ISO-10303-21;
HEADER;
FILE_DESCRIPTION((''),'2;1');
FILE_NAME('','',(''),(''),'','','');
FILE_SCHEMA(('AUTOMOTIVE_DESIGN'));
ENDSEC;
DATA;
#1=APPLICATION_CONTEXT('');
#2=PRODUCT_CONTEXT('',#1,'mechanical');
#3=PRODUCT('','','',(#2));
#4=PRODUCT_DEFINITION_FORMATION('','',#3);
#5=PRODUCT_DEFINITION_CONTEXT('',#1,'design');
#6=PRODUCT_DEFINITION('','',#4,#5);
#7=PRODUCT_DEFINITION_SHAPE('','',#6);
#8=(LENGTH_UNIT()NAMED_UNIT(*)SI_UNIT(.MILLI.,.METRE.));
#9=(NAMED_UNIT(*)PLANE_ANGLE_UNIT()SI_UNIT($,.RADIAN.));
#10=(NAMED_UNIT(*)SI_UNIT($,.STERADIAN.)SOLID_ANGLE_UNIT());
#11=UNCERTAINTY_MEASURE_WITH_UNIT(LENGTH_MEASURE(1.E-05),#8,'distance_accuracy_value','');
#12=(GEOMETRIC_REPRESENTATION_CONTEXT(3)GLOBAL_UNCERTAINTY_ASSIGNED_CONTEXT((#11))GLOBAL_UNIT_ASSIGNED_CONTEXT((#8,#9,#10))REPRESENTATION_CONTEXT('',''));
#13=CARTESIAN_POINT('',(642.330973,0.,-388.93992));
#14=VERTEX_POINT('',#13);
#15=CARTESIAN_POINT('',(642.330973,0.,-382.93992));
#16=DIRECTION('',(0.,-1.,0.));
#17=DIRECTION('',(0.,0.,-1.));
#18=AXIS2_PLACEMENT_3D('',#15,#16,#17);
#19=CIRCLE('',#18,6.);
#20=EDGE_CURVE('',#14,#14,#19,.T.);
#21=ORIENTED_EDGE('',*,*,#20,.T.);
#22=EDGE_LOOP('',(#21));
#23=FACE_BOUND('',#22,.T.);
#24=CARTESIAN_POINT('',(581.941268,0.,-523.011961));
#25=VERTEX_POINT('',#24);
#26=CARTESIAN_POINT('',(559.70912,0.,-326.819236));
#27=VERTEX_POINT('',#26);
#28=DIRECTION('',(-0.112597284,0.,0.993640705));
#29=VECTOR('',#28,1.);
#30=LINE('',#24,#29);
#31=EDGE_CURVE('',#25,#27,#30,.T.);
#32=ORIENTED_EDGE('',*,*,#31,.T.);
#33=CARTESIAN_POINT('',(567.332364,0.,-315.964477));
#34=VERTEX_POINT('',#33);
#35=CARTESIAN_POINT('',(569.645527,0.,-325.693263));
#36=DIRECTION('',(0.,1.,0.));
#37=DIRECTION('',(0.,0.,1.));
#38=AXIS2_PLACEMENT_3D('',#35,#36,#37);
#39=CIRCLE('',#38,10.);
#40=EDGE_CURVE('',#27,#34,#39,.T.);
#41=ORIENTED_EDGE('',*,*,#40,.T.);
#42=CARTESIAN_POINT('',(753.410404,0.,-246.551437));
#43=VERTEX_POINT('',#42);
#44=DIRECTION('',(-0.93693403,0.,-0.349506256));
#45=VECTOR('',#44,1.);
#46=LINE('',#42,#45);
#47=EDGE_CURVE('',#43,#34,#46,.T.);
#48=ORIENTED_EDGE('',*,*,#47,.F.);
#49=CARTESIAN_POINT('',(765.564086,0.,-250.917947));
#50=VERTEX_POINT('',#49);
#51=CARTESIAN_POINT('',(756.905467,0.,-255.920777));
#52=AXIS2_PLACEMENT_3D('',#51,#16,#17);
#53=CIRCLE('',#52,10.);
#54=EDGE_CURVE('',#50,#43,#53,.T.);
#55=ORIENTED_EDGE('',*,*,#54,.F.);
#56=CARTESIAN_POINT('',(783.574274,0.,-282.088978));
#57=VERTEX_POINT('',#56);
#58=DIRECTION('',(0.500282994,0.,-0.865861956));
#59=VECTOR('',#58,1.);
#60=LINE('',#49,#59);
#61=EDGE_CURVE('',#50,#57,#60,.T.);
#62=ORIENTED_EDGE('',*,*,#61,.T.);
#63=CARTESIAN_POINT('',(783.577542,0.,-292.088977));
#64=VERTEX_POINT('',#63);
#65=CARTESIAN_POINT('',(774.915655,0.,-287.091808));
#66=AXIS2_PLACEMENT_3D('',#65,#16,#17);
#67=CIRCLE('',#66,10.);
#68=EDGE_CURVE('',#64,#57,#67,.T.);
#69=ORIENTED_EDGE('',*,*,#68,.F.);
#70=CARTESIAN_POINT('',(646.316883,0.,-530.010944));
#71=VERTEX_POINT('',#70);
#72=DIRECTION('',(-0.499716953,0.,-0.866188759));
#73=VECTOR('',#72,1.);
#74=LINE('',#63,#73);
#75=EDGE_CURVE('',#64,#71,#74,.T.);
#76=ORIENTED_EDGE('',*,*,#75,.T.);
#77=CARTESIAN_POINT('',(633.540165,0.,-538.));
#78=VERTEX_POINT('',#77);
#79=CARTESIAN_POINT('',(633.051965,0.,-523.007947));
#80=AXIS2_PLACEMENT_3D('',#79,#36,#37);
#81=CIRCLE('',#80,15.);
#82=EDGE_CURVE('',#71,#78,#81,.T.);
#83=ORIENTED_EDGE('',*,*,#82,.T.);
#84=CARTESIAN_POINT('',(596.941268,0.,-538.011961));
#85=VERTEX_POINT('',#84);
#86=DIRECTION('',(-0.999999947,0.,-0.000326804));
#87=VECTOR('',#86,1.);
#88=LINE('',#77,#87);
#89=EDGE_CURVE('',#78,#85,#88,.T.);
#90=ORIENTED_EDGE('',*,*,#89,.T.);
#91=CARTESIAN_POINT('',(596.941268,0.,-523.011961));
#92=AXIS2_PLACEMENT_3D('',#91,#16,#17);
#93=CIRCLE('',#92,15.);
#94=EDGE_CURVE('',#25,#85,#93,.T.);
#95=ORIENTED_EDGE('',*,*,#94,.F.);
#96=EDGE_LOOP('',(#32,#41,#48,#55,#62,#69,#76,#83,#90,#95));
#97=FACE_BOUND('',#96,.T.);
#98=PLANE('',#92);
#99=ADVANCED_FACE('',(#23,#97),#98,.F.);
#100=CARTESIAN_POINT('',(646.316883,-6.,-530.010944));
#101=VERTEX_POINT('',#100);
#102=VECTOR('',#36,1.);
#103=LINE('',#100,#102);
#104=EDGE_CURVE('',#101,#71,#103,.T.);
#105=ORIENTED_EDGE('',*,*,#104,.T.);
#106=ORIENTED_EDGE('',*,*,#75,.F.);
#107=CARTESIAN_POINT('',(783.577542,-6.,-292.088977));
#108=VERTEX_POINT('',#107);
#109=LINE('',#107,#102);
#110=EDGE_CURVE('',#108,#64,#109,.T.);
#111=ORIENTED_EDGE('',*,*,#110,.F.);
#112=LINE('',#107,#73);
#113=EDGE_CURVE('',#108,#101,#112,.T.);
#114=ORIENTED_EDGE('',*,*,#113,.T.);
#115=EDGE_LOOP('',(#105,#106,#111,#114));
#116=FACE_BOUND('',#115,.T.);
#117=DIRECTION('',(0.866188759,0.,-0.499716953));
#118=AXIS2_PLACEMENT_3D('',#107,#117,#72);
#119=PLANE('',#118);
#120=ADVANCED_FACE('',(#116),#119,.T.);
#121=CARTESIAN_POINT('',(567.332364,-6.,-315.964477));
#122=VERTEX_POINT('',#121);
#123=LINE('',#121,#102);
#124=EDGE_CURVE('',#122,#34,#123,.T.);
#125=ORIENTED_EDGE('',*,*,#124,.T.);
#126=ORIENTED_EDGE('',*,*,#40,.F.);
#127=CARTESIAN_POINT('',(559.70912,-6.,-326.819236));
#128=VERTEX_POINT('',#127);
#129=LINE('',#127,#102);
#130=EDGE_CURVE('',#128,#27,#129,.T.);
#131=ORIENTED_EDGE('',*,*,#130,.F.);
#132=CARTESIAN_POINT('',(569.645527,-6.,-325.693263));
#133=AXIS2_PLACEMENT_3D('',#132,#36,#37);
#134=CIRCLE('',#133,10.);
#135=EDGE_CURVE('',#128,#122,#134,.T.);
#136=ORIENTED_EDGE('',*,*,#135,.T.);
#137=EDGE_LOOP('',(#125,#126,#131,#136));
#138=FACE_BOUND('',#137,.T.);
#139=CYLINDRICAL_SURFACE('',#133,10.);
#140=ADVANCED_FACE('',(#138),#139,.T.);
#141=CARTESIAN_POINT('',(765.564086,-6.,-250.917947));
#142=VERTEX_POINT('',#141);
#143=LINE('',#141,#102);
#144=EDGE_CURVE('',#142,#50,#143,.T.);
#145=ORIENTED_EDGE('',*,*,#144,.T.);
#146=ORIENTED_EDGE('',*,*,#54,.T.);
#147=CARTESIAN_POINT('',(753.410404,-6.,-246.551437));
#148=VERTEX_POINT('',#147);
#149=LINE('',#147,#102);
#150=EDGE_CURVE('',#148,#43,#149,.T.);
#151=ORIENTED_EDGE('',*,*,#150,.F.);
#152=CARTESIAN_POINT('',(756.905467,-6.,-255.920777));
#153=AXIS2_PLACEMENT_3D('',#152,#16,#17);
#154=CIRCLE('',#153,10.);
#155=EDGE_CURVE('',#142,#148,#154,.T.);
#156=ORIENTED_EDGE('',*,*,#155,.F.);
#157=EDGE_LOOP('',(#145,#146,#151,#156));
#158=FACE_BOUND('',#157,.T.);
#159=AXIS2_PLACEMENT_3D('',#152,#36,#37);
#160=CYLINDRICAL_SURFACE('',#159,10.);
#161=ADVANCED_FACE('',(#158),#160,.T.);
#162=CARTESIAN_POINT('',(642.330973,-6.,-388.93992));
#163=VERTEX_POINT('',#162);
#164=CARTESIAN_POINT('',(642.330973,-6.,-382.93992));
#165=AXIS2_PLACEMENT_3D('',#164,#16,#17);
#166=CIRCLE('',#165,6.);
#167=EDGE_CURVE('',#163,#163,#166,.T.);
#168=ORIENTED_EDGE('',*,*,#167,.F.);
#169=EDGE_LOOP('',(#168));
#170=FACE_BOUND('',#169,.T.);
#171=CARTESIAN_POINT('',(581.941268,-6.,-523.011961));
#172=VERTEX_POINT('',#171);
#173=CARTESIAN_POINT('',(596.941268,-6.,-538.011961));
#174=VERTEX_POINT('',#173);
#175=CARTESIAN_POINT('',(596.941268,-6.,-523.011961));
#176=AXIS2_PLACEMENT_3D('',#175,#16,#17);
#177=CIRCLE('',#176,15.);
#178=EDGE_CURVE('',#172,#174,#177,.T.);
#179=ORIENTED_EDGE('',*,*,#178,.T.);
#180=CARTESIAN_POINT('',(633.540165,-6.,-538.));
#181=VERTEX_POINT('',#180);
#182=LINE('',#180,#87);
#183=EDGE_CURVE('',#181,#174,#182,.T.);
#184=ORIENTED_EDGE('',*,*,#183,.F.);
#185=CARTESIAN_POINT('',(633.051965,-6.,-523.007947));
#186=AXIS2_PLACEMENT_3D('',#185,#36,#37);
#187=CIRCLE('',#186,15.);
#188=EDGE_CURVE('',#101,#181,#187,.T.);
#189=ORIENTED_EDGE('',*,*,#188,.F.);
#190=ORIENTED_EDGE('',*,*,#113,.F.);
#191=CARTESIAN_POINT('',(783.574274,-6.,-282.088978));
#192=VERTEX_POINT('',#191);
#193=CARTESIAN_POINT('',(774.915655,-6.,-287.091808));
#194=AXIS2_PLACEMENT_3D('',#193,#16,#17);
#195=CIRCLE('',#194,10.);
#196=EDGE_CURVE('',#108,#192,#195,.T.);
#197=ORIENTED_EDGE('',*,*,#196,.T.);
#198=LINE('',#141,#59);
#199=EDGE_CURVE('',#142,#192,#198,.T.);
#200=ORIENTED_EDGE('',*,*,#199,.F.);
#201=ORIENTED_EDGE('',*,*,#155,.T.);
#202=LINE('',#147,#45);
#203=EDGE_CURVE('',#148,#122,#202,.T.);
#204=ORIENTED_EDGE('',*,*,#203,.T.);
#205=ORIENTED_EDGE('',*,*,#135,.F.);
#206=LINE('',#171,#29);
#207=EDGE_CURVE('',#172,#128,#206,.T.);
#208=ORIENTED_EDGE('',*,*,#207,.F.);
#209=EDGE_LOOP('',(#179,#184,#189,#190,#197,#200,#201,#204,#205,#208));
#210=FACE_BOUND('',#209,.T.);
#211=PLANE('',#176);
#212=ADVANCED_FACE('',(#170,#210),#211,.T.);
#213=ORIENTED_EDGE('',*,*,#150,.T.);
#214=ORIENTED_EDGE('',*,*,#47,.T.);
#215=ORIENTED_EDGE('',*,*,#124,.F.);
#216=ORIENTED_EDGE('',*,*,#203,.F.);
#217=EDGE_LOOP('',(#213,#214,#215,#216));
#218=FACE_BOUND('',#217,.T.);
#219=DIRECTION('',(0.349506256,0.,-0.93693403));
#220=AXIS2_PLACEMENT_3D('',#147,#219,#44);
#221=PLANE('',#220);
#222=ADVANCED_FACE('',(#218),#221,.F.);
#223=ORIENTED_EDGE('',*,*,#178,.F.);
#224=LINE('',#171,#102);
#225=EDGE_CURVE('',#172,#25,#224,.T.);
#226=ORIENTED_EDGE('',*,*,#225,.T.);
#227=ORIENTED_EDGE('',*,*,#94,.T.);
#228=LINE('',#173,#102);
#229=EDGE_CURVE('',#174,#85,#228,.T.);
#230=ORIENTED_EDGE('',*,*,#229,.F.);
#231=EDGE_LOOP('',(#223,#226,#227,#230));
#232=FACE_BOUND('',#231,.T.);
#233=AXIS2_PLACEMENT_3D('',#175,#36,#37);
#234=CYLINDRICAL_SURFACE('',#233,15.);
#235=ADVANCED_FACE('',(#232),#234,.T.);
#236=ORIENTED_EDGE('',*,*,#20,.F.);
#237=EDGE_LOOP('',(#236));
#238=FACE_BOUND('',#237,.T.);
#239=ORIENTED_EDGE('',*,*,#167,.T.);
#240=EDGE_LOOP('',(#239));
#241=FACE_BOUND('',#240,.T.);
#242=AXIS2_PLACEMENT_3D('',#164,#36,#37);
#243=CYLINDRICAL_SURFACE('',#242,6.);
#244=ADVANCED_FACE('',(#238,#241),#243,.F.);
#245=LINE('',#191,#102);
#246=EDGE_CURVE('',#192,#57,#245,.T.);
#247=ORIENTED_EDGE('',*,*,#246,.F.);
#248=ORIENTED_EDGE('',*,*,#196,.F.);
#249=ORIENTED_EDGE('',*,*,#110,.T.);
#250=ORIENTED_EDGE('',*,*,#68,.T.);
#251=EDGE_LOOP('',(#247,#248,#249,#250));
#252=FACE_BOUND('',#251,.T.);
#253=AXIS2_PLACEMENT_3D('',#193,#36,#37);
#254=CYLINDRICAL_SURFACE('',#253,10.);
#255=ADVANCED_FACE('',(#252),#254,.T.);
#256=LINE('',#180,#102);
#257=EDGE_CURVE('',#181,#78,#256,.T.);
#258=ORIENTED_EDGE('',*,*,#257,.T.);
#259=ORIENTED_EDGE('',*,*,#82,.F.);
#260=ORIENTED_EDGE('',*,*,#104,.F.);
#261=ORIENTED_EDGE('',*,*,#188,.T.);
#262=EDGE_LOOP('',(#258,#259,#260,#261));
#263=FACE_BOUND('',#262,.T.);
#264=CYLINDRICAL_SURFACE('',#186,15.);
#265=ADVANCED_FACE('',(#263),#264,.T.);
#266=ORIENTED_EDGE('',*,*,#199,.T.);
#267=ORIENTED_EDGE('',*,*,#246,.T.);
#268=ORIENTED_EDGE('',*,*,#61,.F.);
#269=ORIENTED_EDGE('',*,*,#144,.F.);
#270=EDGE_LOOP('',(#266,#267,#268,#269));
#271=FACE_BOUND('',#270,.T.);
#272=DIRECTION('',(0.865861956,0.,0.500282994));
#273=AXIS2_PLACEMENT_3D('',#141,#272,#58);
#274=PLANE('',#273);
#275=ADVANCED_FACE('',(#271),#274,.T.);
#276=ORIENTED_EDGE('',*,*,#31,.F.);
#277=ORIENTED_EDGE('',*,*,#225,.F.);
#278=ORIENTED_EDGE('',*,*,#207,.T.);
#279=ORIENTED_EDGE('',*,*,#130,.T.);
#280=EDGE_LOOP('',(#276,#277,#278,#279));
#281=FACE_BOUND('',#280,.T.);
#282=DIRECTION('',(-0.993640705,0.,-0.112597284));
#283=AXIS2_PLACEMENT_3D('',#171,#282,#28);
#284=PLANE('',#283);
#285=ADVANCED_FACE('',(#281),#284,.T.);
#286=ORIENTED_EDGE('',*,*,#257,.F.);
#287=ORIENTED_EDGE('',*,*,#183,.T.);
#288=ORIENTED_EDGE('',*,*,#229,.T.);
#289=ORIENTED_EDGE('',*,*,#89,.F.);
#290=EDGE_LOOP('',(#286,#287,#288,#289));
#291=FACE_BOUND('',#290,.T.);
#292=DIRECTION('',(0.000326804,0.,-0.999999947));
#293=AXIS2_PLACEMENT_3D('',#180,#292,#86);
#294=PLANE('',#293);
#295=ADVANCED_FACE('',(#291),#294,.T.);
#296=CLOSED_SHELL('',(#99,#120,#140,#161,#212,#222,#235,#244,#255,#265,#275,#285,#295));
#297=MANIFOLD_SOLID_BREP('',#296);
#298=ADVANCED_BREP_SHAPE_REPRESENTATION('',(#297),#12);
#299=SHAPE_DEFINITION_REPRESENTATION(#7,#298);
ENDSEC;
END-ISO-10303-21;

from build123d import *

# Parameters (mm, degrees)
SKETCH1_R           = 6
BOSS_EXTRUDE1_DEPTH = 6


with BuildPart() as part:
    # Sketch1 → Boss-Extrude1 (new body)
    with BuildSketch(Plane.XZ):
        with BuildLine():
            Line((633.54016476, -538), (596.941268489, -538.01196066))
            ThreePointArc((596.941268489, -538.01196066), (586.334666771, -533.618562378), (581.941268489, -523.01196066))
            Line((581.941268489, -523.01196066), (559.709119696, -326.819235636))
            ThreePointArc((559.709119696, -326.819235636), (561.462040963, -319.946040825), (567.332363616, -315.964476832))
            Line((567.332363616, -315.964476832), (753.41040417, -246.551436819))
            ThreePointArc((753.41040417, -246.551436819), (760.286617927, -246.509729538), (765.564086289, -250.917947183))
            Line((765.564086289, -250.917947183), (783.574274063, -282.088977586))
            ThreePointArc((783.574274063, -282.088977586), (784.915653972, -287.088539485), (783.577542101, -292.088977052))
            Line((783.577542101, -292.088977052), (646.316882655, -530.010943959))
            ThreePointArc((646.316882655, -530.010943959), (641.004531543, -535.726307145), (633.54016476, -538))
        make_face()
        with Locations((642.330973066, -382.939920306)):
            Circle(SKETCH1_R, mode=Mode.SUBTRACT)
    extrude(amount=BOSS_EXTRUDE1_DEPTH)


solid = part.part
